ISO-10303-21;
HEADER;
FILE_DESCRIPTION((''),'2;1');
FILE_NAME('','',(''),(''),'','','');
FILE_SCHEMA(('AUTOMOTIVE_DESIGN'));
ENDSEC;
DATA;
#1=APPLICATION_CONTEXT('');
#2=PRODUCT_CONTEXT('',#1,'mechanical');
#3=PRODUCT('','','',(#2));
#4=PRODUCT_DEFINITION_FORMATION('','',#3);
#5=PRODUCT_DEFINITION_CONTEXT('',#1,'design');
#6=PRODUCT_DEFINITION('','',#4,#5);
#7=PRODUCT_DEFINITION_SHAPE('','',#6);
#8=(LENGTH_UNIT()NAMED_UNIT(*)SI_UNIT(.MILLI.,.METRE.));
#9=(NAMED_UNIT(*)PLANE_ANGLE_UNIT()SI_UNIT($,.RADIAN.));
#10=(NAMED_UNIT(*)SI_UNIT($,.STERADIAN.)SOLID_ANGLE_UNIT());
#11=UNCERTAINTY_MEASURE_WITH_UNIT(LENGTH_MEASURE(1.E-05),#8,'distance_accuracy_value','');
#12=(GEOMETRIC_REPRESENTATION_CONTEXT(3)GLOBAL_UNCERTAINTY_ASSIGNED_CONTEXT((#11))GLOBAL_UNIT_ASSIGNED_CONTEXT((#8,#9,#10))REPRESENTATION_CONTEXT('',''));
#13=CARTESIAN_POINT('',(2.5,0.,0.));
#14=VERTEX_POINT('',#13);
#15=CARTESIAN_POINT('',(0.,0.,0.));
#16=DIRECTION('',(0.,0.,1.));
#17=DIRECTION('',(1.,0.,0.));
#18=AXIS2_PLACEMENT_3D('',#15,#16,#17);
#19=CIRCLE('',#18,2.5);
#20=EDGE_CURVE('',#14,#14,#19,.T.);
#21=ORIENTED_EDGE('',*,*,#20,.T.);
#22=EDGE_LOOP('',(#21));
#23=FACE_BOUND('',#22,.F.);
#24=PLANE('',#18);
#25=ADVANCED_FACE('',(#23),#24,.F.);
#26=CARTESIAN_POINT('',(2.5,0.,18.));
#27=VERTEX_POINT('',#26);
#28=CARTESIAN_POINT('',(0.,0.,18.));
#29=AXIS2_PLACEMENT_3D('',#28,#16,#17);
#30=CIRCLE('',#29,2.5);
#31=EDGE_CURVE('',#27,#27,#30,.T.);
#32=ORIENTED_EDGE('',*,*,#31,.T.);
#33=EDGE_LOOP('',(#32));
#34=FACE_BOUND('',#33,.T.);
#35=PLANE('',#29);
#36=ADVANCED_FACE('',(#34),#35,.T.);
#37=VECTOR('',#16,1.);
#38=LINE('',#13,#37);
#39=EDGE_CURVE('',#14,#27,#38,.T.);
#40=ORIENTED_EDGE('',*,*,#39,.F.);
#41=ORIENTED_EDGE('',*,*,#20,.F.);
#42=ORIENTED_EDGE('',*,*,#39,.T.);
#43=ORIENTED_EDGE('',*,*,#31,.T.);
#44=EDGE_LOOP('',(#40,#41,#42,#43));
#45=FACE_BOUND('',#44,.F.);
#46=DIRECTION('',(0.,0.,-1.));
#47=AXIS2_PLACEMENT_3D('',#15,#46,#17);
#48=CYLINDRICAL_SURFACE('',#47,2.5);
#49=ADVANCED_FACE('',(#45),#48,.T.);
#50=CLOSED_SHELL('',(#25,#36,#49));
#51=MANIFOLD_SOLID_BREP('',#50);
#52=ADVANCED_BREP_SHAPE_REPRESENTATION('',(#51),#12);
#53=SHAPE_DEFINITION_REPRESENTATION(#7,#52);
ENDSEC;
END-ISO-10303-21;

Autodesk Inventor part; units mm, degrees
ref_plane "YZ Plane" through (0, 0, 0) normal (1, 0, 0) x (0, 1, 0)
ref_plane "XZ Plane" through (0, 0, 0) normal (0, 1, 0) x (-1, 0, 0)
ref_plane "XY Plane" through (0, 0, 0) normal (0, 0, 1) x (1, 0, 0)
sketch "Sketch1" plane through (0, 0, 0) normal (0, 0, 1) x (1, 0, 0)
  circle A0 centre (0, 0) radius 2.5
  dimension "d0" = 5
extrude "Extrusion1" add sketch "Sketch1" along normal blind 18
properties part number "ESTAMP Post 68311100"
